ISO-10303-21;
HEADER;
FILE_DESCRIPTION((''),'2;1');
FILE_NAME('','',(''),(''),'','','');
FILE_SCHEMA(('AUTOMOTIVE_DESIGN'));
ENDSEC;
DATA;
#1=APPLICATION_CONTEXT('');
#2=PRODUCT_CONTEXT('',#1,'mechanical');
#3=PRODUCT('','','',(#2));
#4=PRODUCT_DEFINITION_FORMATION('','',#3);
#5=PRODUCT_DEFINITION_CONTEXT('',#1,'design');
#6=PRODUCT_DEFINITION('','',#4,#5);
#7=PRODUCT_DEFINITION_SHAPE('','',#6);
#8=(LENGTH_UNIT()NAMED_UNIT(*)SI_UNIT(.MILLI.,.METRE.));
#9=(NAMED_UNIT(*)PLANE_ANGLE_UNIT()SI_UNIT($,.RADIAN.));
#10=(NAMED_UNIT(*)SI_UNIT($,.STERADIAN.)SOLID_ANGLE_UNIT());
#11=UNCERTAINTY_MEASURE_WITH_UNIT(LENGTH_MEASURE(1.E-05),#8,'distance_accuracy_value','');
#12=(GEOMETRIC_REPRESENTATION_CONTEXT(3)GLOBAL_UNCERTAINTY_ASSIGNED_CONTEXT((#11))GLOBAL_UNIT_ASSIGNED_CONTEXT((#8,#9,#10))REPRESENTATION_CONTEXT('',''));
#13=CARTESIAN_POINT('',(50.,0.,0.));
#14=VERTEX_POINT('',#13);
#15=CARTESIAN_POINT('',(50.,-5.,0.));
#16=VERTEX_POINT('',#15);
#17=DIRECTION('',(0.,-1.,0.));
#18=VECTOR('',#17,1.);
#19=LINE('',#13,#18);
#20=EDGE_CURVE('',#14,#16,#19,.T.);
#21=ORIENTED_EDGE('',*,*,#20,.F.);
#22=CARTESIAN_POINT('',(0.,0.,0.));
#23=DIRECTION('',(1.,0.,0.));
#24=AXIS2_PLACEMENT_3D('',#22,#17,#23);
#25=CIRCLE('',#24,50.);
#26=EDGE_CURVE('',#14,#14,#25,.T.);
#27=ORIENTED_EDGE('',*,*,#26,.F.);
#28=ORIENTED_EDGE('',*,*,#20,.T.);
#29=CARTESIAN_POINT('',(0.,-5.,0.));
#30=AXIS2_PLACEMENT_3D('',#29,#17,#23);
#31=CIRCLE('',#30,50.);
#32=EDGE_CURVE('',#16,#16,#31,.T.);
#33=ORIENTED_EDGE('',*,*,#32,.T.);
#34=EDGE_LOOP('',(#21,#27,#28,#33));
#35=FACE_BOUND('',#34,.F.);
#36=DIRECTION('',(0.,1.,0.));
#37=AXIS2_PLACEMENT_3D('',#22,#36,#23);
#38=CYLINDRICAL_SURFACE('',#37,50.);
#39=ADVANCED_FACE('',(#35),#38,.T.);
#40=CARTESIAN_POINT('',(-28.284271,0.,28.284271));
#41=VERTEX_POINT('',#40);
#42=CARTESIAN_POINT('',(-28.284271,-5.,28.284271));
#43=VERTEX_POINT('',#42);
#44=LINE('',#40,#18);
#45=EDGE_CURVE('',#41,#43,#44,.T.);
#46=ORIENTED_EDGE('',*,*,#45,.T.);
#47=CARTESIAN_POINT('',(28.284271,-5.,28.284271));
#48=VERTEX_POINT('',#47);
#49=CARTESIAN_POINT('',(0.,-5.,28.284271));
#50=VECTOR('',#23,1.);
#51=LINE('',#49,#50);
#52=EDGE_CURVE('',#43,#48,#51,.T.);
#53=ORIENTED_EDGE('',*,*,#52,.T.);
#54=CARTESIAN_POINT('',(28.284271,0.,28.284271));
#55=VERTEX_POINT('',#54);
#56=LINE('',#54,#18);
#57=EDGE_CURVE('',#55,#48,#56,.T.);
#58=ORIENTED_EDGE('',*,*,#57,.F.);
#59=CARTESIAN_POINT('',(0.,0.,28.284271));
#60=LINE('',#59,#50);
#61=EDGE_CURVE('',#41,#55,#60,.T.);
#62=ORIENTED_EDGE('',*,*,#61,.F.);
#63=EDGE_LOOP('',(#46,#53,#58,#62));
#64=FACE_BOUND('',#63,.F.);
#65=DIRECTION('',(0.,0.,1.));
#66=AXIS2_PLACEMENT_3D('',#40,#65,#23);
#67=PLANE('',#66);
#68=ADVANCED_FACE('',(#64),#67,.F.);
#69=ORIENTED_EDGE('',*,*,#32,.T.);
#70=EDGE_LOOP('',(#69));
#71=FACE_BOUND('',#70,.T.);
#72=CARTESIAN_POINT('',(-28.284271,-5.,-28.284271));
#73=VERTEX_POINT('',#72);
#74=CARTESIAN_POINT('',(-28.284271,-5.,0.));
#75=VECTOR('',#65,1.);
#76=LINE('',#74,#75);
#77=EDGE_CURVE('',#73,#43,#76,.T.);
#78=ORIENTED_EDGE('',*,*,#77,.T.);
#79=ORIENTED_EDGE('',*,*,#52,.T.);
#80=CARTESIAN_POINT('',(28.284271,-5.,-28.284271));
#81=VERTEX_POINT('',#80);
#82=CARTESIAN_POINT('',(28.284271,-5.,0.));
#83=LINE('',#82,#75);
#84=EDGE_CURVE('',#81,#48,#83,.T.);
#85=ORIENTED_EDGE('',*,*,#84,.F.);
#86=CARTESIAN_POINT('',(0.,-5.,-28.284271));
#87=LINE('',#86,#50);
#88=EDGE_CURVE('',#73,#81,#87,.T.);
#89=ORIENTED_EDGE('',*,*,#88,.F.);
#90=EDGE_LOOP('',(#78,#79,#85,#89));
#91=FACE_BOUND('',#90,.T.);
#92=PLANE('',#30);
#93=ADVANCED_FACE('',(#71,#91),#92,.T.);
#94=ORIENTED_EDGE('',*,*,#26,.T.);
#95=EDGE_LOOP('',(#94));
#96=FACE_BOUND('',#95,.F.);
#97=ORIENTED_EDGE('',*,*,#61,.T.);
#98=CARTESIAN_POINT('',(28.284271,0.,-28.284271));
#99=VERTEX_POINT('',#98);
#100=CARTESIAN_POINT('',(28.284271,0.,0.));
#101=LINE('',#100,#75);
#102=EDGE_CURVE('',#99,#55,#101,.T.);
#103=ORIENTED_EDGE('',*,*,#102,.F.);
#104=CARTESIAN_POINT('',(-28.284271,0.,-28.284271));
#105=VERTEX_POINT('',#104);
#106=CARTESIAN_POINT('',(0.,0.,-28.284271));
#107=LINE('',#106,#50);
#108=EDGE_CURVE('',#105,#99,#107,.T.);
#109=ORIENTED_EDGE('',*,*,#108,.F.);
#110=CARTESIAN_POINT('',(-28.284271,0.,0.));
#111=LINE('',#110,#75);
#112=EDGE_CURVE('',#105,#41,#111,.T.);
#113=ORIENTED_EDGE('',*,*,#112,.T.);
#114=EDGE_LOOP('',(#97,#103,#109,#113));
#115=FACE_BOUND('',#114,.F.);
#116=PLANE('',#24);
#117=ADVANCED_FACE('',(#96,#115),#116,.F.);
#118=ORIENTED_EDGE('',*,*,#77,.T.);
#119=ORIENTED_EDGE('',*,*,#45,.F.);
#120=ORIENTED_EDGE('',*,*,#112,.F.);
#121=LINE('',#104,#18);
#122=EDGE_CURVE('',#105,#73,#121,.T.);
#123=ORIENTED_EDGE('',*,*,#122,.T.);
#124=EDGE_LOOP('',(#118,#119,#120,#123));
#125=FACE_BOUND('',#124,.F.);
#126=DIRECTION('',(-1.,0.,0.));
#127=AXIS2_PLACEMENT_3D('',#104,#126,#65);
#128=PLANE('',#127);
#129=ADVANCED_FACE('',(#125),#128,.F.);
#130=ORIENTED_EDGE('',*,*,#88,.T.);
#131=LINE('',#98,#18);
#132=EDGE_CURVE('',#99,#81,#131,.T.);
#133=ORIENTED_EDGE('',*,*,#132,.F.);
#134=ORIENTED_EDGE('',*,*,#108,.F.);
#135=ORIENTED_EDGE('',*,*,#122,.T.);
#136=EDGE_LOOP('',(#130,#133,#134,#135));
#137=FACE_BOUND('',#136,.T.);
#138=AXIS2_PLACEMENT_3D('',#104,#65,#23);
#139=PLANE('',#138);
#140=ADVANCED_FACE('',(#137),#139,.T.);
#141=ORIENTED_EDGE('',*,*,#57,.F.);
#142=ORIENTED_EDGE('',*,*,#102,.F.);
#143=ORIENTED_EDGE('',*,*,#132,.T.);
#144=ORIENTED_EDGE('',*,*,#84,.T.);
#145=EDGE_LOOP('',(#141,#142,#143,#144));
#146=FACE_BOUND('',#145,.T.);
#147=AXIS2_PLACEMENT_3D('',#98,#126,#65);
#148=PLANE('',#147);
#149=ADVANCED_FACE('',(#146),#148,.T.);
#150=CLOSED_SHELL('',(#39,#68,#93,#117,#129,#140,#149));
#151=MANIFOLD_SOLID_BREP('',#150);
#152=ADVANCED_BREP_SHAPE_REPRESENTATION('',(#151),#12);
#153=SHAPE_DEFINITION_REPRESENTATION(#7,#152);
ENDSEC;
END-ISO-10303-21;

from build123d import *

# Parameters (mm, degrees)
F0_R     = 50
F0_W     = 56.568542
F0_H     = 56.568542
F1_DEPTH = 5


with BuildPart() as f1:
    # F0 (on Front) → F1 (new body)
    with BuildSketch(Plane.XZ):
        Circle(F0_R)
        Rectangle(F0_W, F0_H, mode=Mode.SUBTRACT)
    extrude(amount=F1_DEPTH)


solid = f1.part
